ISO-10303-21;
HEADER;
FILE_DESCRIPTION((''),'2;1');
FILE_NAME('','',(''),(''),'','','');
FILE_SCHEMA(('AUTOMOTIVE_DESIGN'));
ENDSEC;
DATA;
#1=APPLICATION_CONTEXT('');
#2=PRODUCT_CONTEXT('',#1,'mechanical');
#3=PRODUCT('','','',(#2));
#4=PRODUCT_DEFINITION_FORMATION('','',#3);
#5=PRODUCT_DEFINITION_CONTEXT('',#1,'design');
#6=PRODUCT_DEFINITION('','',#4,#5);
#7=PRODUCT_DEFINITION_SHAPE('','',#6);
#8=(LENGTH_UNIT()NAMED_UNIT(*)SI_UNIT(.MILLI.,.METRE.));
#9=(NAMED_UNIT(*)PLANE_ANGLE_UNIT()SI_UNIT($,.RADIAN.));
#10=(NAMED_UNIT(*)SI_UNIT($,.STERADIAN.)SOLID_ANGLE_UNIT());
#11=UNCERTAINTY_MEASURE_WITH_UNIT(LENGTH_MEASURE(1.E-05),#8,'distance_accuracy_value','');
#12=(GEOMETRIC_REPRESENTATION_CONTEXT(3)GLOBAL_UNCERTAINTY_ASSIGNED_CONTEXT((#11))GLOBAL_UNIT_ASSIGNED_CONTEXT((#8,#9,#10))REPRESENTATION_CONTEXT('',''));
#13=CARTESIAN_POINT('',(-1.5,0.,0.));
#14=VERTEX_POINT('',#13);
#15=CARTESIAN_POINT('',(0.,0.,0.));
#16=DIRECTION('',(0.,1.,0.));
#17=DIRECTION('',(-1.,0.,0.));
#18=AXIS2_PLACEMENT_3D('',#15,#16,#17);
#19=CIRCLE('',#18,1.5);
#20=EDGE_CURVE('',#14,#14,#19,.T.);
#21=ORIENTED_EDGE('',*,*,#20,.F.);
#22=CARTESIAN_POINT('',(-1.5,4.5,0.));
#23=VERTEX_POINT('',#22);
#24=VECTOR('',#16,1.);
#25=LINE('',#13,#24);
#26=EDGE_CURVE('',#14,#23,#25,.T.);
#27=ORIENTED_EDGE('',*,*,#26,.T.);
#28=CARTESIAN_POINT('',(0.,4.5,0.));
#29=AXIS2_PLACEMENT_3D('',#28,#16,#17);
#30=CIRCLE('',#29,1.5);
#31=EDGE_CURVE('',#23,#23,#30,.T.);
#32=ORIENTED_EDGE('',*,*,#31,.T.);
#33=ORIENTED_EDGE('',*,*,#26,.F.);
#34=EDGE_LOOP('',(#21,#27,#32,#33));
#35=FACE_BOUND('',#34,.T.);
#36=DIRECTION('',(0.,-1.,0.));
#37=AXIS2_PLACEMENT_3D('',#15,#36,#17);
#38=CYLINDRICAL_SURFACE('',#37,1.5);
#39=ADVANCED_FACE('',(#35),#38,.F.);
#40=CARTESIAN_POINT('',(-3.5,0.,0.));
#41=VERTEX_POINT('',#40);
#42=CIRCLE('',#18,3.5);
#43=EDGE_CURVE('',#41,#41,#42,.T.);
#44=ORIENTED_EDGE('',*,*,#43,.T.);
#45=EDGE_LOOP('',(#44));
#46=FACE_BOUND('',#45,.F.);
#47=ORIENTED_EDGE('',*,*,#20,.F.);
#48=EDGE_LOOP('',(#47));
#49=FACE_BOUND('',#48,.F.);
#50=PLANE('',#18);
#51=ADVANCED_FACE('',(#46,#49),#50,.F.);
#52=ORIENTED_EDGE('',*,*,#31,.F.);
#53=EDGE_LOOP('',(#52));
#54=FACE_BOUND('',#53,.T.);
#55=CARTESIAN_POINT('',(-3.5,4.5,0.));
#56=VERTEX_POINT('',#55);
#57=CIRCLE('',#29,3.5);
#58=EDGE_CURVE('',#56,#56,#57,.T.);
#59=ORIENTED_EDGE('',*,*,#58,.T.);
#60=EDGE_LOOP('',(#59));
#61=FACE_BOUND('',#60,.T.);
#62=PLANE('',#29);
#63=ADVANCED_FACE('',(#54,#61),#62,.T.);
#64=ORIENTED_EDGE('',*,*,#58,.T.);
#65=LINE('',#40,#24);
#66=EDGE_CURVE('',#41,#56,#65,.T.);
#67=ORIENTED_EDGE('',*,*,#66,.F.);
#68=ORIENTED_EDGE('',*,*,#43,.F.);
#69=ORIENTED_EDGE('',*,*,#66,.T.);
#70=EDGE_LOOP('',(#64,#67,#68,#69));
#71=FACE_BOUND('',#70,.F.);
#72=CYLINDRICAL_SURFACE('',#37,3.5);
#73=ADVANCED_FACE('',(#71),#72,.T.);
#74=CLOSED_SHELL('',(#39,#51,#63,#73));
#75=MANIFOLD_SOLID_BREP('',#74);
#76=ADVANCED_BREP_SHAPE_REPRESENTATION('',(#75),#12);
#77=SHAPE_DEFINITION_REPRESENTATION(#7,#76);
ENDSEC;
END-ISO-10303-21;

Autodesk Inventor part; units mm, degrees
ref_plane "YZ Plane" through (0, 0, 0) normal (1, 0, 0) x (0, 1, 0)
ref_plane "XZ Plane" through (0, 0, 0) normal (0, 1, 0) x (-1, 0, 0)
ref_plane "XY Plane" through (0, 0, 0) normal (0, 0, 1) x (1, 0, 0)
sketch "Sketch1" plane through (0, 0, 0) normal (0, 1, 0) x (-1, 0, 0)
  circle A0 centre (0, 0) radius 1.5
  circle A1 centre (0, 0) radius 3.5
  dimension "d0" = 3
  dimension "d1" = 7
extrude "Extrusion1" add sketch "Sketch1" along normal blind 4.5
properties part number "spacer"
